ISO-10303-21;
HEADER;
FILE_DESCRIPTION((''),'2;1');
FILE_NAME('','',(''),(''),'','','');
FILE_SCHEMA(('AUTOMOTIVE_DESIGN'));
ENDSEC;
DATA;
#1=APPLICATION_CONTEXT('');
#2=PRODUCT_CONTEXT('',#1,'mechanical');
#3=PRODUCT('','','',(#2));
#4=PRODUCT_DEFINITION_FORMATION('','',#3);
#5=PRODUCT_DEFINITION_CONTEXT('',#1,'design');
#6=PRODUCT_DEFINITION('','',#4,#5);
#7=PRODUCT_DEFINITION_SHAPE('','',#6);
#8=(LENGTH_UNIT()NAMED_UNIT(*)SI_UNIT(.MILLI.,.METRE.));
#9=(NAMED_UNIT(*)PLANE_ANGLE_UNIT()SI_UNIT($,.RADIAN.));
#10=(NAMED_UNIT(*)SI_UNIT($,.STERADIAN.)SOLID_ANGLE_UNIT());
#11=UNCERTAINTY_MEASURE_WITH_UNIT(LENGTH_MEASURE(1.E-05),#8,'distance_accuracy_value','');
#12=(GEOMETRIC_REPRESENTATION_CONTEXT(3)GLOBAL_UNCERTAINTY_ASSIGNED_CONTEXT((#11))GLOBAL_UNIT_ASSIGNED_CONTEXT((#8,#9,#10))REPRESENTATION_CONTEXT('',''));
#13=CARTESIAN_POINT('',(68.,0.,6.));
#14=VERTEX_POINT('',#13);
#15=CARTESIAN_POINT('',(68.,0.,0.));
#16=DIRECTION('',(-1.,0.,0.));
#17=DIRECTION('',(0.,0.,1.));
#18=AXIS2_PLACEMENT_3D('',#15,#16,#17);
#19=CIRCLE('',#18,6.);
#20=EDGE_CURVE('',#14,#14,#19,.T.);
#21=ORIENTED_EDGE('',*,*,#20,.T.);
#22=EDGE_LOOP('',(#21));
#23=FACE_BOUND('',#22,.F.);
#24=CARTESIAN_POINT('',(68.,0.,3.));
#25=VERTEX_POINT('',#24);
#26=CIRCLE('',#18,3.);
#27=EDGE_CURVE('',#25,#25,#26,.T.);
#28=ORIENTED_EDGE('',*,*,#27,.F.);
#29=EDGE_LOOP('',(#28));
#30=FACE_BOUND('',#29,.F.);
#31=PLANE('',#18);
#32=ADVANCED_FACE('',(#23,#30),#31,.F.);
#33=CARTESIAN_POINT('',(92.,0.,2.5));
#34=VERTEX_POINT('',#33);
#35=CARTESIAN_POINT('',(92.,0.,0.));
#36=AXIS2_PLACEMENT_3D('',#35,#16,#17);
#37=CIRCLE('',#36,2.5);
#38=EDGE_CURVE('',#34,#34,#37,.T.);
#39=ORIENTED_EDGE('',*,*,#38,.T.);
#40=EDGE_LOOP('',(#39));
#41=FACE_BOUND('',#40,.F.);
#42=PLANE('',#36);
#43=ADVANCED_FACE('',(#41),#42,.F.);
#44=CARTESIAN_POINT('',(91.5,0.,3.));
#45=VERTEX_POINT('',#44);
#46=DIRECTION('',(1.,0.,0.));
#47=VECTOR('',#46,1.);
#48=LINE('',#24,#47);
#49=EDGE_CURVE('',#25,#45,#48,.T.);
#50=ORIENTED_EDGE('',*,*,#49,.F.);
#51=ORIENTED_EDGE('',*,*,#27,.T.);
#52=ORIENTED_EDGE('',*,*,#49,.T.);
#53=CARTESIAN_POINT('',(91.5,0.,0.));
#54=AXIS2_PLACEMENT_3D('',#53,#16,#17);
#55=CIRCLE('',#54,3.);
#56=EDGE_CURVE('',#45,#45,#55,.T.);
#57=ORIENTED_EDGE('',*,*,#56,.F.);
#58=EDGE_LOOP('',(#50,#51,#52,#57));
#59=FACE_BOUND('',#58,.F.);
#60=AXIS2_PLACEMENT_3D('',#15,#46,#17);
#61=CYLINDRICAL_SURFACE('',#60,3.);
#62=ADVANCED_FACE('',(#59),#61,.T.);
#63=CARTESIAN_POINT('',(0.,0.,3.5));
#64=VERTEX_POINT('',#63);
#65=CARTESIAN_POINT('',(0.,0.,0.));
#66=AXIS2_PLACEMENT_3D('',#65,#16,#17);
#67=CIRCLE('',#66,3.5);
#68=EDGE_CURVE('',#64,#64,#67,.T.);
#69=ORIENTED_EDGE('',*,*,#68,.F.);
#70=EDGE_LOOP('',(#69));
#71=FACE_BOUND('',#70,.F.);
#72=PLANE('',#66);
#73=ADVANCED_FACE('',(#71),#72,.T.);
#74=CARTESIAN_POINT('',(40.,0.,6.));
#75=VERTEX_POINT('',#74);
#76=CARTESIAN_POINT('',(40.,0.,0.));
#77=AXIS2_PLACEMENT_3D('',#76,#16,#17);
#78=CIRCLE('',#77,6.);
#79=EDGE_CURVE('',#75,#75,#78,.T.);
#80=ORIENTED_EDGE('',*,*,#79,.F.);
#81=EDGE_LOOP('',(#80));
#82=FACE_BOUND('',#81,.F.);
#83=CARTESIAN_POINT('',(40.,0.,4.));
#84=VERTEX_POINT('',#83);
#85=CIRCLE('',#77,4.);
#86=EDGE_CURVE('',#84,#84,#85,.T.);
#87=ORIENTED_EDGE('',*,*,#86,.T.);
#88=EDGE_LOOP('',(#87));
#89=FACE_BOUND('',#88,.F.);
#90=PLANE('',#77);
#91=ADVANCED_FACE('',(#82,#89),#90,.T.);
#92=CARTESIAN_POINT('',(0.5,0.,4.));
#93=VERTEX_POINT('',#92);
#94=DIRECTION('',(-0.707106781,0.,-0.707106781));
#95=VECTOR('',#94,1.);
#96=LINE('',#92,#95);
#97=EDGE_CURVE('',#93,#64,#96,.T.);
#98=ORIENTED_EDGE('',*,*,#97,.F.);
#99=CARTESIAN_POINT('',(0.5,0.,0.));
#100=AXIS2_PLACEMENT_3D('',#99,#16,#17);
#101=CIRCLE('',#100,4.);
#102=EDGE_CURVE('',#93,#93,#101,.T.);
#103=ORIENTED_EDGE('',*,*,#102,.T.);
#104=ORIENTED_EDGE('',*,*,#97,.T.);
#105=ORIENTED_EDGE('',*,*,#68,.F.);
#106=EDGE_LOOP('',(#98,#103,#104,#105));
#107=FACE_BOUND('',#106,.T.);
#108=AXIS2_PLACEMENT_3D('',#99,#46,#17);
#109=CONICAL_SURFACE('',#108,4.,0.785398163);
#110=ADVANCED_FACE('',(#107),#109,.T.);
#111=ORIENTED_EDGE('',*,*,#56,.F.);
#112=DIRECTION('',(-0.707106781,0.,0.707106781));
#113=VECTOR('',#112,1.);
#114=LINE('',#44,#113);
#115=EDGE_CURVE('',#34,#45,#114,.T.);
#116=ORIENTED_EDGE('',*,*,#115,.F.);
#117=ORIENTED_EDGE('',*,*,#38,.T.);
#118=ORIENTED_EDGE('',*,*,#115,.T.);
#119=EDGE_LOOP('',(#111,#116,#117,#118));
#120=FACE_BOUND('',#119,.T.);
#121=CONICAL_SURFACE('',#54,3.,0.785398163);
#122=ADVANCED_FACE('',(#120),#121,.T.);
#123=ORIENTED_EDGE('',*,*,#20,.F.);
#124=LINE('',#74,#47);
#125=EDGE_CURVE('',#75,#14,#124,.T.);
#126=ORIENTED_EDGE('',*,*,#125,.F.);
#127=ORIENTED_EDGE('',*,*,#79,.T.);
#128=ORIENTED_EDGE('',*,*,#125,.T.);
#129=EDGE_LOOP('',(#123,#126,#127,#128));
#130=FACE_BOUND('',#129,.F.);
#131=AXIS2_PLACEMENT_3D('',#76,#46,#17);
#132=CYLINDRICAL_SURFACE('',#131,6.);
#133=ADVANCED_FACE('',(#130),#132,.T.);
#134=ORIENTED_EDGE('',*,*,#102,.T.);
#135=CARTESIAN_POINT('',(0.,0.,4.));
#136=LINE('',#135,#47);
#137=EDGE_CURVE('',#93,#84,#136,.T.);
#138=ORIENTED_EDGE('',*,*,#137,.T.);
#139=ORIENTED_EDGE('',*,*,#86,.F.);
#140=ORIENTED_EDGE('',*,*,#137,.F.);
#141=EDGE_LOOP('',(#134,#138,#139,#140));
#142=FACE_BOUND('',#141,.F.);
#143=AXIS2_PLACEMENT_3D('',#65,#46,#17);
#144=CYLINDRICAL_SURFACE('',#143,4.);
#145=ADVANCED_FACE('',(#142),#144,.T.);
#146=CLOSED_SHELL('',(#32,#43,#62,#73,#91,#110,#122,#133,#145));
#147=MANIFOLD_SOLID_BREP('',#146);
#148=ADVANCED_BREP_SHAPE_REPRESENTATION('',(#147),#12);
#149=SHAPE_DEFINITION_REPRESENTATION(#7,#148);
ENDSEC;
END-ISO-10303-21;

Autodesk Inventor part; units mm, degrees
ref_plane "YZ Plane" through (0, 0, 0) normal (1, 0, 0) x (0, 1, 0)
ref_plane "XZ Plane" through (0, 0, 0) normal (0, 1, 0) x (-1, 0, 0)
ref_plane "XY Plane" through (0, 0, 0) normal (0, 0, 1) x (1, 0, 0)
sketch "Skizze1" plane through (0, 0, 0) normal (0, 1, 0) x (-1, 0, 0)
  line L0 (0, 0) -> (0, 4)
  line L1 (-40, 4) -> (-40, 6)
  line L2 (-40, 6) -> (-68, 6)
  line L3 (-68, 6) -> (-68, 3)
  line L4 (-68, 3) -> (-92, 3)
  line L5 (-92, 3) -> (-92, 0)
  line L6 (-92, 0) -> (0, 0)
  line L7 (0, 4) -> (-40, 4)
  dimension "d0" = 28
  dimension "d2" = 6
  dimension "d3" = 8
  dimension "d4" = 24
  dimension "d5" = 40
  dimension "d6" = 12
revolve "Umdrehung1" add sketch "Skizze1" angle 360 about axis through (92, 0, 0) along (-1, 0, 0)
chamfer "Fasen1" distance 0.5 angle 45 2 edges at (92, 0, -3) (0, 0, -4)
properties part number "201 Welle" material "Aluminium 6061"
